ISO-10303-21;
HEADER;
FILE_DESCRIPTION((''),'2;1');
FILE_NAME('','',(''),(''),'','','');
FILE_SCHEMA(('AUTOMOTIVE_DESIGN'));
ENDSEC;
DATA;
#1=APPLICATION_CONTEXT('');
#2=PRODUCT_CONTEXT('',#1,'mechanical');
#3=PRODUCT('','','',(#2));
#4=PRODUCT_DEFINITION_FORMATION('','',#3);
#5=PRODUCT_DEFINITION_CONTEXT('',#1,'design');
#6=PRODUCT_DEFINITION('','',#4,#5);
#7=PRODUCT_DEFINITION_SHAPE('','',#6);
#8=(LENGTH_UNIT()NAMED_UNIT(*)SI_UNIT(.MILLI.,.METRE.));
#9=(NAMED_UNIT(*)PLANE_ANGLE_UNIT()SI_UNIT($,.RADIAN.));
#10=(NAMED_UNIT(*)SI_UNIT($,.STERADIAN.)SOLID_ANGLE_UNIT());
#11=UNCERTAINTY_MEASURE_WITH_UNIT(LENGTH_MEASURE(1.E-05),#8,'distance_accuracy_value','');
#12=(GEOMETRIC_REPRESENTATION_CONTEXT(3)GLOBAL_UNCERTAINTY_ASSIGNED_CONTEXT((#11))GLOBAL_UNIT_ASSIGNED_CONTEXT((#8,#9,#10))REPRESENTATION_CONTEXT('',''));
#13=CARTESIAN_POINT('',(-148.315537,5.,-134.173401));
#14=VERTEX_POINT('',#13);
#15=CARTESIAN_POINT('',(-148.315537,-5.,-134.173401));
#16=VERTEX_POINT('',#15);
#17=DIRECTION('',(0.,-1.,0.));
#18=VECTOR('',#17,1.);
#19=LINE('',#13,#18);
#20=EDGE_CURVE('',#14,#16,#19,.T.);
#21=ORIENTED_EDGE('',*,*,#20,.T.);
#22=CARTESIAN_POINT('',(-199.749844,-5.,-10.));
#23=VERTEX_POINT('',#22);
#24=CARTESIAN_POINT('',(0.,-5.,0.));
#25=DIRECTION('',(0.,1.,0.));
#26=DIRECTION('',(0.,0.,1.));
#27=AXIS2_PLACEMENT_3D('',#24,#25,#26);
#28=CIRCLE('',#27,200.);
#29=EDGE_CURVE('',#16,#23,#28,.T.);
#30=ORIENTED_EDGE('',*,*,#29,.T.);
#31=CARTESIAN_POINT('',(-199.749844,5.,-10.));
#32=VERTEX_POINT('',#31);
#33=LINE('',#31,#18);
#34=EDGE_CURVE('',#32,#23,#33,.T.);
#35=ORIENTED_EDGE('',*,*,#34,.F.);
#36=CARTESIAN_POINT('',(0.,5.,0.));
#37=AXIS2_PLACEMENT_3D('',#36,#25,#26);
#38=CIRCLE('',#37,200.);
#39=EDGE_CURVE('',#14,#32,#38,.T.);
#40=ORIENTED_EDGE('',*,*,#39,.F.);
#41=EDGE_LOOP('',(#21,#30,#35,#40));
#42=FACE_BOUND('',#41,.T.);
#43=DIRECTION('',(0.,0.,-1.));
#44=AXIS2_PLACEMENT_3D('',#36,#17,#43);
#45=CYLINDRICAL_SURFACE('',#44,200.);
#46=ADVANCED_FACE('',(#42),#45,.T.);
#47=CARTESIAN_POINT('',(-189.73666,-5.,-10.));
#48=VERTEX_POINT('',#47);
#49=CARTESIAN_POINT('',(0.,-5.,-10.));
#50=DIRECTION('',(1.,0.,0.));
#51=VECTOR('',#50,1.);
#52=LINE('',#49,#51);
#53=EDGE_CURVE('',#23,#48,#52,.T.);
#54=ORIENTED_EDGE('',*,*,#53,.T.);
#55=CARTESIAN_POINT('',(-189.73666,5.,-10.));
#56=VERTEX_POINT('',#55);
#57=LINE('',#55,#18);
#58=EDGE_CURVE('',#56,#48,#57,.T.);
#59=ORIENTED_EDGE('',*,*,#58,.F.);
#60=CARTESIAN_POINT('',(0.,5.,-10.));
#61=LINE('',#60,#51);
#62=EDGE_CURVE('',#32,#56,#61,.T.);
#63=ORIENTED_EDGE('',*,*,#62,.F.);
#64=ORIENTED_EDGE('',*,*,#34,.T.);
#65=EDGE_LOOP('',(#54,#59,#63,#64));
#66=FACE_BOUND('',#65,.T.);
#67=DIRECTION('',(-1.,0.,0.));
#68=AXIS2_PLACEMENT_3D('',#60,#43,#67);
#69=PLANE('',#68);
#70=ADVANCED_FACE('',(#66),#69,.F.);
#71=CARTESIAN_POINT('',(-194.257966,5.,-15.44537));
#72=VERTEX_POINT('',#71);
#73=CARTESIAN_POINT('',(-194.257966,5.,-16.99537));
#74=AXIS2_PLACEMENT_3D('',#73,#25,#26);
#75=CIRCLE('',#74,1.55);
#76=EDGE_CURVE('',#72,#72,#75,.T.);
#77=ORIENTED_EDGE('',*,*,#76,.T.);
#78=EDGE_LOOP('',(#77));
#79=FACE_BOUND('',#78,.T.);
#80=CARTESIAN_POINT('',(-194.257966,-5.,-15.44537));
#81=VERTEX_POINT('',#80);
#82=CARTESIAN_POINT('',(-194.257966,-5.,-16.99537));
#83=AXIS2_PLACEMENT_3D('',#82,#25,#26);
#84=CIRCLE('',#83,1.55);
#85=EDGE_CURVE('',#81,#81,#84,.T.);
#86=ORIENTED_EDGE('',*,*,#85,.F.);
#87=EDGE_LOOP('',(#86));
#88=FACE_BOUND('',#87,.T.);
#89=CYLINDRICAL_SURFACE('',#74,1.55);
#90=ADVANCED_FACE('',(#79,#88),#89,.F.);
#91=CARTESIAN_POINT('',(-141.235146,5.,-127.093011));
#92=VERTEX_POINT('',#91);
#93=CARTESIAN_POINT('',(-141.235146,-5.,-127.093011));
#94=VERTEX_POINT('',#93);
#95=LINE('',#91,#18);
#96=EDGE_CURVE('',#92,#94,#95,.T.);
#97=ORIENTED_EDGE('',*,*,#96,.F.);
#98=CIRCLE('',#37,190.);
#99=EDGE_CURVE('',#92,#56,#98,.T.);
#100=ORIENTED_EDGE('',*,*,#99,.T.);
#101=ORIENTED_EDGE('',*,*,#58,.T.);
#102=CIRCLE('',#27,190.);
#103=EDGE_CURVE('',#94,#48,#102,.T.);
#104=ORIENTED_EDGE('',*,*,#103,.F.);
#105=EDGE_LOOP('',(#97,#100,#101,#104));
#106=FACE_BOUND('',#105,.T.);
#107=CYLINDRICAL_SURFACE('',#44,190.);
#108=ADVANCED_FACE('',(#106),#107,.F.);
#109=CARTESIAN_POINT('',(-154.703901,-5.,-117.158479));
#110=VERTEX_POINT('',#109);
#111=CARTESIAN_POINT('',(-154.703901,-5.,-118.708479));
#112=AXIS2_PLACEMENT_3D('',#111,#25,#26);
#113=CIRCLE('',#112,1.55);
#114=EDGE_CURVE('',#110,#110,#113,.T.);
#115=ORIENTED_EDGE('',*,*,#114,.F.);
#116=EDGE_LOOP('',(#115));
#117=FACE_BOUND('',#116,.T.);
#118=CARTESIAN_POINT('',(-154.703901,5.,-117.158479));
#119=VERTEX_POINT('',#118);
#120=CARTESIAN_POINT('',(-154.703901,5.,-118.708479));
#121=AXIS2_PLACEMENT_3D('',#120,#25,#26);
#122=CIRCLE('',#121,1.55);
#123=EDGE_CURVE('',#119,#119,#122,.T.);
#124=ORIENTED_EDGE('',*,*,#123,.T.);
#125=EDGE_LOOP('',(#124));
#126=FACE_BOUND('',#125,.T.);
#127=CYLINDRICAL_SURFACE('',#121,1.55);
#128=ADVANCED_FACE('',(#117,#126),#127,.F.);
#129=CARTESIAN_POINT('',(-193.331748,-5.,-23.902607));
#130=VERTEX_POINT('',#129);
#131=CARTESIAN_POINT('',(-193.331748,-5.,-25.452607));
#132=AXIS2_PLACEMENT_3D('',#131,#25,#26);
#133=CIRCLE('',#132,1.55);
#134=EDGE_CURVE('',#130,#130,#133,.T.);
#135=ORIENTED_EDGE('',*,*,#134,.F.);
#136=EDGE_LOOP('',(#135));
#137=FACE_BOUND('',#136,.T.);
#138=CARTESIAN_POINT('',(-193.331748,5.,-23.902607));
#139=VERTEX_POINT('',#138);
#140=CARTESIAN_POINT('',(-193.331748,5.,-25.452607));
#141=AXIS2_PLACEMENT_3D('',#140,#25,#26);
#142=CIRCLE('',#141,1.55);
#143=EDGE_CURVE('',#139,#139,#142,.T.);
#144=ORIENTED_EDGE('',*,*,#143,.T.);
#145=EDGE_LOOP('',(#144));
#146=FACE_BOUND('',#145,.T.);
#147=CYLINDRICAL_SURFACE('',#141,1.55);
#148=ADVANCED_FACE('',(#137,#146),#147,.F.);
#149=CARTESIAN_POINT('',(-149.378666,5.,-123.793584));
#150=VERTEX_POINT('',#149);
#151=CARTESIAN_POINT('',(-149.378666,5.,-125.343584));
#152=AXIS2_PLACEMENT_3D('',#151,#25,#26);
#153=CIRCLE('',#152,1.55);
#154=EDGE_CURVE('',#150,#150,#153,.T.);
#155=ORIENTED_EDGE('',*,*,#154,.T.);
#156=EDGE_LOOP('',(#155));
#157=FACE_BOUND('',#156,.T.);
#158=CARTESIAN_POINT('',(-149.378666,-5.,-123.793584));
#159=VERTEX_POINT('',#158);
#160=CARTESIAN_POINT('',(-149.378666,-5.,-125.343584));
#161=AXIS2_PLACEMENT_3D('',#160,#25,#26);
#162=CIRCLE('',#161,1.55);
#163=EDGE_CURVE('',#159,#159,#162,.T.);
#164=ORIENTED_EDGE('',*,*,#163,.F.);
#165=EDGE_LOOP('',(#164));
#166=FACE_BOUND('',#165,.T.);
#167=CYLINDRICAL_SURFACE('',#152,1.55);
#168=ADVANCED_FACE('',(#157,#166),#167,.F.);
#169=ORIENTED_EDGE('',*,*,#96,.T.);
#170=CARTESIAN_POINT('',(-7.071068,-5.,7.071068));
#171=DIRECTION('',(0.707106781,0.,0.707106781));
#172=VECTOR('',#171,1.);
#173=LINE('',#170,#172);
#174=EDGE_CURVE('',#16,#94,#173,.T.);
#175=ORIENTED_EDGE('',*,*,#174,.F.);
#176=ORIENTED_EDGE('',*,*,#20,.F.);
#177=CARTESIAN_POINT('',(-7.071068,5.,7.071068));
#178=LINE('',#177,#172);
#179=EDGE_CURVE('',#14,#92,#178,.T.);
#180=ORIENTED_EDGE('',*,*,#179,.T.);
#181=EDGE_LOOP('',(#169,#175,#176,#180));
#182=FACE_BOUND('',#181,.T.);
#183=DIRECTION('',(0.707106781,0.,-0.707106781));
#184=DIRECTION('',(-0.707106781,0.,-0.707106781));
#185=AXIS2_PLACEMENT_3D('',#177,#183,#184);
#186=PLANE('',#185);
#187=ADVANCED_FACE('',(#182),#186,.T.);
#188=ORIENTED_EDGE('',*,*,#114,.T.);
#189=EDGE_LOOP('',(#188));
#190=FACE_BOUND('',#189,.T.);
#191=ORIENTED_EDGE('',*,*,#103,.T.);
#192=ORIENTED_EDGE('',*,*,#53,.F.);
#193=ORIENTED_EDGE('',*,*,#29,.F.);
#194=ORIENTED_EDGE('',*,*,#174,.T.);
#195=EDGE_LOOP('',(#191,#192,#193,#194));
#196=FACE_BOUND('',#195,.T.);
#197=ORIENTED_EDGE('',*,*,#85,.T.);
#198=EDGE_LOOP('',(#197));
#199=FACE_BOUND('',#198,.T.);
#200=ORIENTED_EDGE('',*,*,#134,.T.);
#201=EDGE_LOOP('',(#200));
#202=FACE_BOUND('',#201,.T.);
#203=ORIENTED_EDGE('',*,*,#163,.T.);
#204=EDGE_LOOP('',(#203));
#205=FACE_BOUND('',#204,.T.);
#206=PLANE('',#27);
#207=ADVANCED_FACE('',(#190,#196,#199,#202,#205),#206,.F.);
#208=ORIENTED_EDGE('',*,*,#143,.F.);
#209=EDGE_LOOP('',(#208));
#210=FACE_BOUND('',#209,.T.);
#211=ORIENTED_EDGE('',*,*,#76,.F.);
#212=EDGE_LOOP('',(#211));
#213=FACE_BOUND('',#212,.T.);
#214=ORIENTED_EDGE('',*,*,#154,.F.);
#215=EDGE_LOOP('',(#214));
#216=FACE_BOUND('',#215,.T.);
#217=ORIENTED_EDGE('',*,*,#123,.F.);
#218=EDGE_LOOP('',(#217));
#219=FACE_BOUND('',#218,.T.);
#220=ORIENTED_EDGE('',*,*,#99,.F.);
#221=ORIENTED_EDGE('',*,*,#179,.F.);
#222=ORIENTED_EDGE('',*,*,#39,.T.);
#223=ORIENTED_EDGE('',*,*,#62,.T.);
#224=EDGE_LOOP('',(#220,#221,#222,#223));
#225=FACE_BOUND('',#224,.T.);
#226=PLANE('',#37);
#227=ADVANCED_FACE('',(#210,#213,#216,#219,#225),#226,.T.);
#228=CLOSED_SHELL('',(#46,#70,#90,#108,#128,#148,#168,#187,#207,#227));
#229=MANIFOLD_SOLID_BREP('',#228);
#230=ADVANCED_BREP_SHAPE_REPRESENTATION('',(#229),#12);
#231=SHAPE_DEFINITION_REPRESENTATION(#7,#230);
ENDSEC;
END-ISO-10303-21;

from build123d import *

# Parameters (mm, degrees)
BASE_DEPTH                 = 5
F_3_1_3_1_DIAMETER_HOLE1_D = 3.1


with BuildPart() as part:
    # Sketch1 → base (new, symmetric)
    with BuildSketch(Plane(origin=(0, 0, 0), x_dir=(1, 0, 0), z_dir=(0, 1, 0))):
        with BuildLine():
            Line((-141.235146462, 127.093010838), (-148.31553673, 134.173401106))
            ThreePointArc((-148.31553673, 134.173401106), (-184.775906502, 76.536686473), (-199.749843554, 10))
            Line((-199.749843554, 10), (-189.73665961, 10))
            ThreePointArc((-189.73665961, 10), (-175.537111177, 72.709852149), (-141.235146462, 127.093010838))
        make_face()
    extrude(amount=BASE_DEPTH, both=True)

    # Ø3.1 (3.1) Diameter Hole1 (through all)
    with Locations(Plane(origin=(0, 5, 0), x_dir=(1, 0, 0), z_dir=(0, 1, 0))):
        with Locations((-194.257966128, 16.995369836), (-149.378666408, 125.343583889), (-154.703901357, 118.708478657), (-193.331747968, 25.452607483)):
            Hole(F_3_1_3_1_DIAMETER_HOLE1_D / 2)


solid = part.part
